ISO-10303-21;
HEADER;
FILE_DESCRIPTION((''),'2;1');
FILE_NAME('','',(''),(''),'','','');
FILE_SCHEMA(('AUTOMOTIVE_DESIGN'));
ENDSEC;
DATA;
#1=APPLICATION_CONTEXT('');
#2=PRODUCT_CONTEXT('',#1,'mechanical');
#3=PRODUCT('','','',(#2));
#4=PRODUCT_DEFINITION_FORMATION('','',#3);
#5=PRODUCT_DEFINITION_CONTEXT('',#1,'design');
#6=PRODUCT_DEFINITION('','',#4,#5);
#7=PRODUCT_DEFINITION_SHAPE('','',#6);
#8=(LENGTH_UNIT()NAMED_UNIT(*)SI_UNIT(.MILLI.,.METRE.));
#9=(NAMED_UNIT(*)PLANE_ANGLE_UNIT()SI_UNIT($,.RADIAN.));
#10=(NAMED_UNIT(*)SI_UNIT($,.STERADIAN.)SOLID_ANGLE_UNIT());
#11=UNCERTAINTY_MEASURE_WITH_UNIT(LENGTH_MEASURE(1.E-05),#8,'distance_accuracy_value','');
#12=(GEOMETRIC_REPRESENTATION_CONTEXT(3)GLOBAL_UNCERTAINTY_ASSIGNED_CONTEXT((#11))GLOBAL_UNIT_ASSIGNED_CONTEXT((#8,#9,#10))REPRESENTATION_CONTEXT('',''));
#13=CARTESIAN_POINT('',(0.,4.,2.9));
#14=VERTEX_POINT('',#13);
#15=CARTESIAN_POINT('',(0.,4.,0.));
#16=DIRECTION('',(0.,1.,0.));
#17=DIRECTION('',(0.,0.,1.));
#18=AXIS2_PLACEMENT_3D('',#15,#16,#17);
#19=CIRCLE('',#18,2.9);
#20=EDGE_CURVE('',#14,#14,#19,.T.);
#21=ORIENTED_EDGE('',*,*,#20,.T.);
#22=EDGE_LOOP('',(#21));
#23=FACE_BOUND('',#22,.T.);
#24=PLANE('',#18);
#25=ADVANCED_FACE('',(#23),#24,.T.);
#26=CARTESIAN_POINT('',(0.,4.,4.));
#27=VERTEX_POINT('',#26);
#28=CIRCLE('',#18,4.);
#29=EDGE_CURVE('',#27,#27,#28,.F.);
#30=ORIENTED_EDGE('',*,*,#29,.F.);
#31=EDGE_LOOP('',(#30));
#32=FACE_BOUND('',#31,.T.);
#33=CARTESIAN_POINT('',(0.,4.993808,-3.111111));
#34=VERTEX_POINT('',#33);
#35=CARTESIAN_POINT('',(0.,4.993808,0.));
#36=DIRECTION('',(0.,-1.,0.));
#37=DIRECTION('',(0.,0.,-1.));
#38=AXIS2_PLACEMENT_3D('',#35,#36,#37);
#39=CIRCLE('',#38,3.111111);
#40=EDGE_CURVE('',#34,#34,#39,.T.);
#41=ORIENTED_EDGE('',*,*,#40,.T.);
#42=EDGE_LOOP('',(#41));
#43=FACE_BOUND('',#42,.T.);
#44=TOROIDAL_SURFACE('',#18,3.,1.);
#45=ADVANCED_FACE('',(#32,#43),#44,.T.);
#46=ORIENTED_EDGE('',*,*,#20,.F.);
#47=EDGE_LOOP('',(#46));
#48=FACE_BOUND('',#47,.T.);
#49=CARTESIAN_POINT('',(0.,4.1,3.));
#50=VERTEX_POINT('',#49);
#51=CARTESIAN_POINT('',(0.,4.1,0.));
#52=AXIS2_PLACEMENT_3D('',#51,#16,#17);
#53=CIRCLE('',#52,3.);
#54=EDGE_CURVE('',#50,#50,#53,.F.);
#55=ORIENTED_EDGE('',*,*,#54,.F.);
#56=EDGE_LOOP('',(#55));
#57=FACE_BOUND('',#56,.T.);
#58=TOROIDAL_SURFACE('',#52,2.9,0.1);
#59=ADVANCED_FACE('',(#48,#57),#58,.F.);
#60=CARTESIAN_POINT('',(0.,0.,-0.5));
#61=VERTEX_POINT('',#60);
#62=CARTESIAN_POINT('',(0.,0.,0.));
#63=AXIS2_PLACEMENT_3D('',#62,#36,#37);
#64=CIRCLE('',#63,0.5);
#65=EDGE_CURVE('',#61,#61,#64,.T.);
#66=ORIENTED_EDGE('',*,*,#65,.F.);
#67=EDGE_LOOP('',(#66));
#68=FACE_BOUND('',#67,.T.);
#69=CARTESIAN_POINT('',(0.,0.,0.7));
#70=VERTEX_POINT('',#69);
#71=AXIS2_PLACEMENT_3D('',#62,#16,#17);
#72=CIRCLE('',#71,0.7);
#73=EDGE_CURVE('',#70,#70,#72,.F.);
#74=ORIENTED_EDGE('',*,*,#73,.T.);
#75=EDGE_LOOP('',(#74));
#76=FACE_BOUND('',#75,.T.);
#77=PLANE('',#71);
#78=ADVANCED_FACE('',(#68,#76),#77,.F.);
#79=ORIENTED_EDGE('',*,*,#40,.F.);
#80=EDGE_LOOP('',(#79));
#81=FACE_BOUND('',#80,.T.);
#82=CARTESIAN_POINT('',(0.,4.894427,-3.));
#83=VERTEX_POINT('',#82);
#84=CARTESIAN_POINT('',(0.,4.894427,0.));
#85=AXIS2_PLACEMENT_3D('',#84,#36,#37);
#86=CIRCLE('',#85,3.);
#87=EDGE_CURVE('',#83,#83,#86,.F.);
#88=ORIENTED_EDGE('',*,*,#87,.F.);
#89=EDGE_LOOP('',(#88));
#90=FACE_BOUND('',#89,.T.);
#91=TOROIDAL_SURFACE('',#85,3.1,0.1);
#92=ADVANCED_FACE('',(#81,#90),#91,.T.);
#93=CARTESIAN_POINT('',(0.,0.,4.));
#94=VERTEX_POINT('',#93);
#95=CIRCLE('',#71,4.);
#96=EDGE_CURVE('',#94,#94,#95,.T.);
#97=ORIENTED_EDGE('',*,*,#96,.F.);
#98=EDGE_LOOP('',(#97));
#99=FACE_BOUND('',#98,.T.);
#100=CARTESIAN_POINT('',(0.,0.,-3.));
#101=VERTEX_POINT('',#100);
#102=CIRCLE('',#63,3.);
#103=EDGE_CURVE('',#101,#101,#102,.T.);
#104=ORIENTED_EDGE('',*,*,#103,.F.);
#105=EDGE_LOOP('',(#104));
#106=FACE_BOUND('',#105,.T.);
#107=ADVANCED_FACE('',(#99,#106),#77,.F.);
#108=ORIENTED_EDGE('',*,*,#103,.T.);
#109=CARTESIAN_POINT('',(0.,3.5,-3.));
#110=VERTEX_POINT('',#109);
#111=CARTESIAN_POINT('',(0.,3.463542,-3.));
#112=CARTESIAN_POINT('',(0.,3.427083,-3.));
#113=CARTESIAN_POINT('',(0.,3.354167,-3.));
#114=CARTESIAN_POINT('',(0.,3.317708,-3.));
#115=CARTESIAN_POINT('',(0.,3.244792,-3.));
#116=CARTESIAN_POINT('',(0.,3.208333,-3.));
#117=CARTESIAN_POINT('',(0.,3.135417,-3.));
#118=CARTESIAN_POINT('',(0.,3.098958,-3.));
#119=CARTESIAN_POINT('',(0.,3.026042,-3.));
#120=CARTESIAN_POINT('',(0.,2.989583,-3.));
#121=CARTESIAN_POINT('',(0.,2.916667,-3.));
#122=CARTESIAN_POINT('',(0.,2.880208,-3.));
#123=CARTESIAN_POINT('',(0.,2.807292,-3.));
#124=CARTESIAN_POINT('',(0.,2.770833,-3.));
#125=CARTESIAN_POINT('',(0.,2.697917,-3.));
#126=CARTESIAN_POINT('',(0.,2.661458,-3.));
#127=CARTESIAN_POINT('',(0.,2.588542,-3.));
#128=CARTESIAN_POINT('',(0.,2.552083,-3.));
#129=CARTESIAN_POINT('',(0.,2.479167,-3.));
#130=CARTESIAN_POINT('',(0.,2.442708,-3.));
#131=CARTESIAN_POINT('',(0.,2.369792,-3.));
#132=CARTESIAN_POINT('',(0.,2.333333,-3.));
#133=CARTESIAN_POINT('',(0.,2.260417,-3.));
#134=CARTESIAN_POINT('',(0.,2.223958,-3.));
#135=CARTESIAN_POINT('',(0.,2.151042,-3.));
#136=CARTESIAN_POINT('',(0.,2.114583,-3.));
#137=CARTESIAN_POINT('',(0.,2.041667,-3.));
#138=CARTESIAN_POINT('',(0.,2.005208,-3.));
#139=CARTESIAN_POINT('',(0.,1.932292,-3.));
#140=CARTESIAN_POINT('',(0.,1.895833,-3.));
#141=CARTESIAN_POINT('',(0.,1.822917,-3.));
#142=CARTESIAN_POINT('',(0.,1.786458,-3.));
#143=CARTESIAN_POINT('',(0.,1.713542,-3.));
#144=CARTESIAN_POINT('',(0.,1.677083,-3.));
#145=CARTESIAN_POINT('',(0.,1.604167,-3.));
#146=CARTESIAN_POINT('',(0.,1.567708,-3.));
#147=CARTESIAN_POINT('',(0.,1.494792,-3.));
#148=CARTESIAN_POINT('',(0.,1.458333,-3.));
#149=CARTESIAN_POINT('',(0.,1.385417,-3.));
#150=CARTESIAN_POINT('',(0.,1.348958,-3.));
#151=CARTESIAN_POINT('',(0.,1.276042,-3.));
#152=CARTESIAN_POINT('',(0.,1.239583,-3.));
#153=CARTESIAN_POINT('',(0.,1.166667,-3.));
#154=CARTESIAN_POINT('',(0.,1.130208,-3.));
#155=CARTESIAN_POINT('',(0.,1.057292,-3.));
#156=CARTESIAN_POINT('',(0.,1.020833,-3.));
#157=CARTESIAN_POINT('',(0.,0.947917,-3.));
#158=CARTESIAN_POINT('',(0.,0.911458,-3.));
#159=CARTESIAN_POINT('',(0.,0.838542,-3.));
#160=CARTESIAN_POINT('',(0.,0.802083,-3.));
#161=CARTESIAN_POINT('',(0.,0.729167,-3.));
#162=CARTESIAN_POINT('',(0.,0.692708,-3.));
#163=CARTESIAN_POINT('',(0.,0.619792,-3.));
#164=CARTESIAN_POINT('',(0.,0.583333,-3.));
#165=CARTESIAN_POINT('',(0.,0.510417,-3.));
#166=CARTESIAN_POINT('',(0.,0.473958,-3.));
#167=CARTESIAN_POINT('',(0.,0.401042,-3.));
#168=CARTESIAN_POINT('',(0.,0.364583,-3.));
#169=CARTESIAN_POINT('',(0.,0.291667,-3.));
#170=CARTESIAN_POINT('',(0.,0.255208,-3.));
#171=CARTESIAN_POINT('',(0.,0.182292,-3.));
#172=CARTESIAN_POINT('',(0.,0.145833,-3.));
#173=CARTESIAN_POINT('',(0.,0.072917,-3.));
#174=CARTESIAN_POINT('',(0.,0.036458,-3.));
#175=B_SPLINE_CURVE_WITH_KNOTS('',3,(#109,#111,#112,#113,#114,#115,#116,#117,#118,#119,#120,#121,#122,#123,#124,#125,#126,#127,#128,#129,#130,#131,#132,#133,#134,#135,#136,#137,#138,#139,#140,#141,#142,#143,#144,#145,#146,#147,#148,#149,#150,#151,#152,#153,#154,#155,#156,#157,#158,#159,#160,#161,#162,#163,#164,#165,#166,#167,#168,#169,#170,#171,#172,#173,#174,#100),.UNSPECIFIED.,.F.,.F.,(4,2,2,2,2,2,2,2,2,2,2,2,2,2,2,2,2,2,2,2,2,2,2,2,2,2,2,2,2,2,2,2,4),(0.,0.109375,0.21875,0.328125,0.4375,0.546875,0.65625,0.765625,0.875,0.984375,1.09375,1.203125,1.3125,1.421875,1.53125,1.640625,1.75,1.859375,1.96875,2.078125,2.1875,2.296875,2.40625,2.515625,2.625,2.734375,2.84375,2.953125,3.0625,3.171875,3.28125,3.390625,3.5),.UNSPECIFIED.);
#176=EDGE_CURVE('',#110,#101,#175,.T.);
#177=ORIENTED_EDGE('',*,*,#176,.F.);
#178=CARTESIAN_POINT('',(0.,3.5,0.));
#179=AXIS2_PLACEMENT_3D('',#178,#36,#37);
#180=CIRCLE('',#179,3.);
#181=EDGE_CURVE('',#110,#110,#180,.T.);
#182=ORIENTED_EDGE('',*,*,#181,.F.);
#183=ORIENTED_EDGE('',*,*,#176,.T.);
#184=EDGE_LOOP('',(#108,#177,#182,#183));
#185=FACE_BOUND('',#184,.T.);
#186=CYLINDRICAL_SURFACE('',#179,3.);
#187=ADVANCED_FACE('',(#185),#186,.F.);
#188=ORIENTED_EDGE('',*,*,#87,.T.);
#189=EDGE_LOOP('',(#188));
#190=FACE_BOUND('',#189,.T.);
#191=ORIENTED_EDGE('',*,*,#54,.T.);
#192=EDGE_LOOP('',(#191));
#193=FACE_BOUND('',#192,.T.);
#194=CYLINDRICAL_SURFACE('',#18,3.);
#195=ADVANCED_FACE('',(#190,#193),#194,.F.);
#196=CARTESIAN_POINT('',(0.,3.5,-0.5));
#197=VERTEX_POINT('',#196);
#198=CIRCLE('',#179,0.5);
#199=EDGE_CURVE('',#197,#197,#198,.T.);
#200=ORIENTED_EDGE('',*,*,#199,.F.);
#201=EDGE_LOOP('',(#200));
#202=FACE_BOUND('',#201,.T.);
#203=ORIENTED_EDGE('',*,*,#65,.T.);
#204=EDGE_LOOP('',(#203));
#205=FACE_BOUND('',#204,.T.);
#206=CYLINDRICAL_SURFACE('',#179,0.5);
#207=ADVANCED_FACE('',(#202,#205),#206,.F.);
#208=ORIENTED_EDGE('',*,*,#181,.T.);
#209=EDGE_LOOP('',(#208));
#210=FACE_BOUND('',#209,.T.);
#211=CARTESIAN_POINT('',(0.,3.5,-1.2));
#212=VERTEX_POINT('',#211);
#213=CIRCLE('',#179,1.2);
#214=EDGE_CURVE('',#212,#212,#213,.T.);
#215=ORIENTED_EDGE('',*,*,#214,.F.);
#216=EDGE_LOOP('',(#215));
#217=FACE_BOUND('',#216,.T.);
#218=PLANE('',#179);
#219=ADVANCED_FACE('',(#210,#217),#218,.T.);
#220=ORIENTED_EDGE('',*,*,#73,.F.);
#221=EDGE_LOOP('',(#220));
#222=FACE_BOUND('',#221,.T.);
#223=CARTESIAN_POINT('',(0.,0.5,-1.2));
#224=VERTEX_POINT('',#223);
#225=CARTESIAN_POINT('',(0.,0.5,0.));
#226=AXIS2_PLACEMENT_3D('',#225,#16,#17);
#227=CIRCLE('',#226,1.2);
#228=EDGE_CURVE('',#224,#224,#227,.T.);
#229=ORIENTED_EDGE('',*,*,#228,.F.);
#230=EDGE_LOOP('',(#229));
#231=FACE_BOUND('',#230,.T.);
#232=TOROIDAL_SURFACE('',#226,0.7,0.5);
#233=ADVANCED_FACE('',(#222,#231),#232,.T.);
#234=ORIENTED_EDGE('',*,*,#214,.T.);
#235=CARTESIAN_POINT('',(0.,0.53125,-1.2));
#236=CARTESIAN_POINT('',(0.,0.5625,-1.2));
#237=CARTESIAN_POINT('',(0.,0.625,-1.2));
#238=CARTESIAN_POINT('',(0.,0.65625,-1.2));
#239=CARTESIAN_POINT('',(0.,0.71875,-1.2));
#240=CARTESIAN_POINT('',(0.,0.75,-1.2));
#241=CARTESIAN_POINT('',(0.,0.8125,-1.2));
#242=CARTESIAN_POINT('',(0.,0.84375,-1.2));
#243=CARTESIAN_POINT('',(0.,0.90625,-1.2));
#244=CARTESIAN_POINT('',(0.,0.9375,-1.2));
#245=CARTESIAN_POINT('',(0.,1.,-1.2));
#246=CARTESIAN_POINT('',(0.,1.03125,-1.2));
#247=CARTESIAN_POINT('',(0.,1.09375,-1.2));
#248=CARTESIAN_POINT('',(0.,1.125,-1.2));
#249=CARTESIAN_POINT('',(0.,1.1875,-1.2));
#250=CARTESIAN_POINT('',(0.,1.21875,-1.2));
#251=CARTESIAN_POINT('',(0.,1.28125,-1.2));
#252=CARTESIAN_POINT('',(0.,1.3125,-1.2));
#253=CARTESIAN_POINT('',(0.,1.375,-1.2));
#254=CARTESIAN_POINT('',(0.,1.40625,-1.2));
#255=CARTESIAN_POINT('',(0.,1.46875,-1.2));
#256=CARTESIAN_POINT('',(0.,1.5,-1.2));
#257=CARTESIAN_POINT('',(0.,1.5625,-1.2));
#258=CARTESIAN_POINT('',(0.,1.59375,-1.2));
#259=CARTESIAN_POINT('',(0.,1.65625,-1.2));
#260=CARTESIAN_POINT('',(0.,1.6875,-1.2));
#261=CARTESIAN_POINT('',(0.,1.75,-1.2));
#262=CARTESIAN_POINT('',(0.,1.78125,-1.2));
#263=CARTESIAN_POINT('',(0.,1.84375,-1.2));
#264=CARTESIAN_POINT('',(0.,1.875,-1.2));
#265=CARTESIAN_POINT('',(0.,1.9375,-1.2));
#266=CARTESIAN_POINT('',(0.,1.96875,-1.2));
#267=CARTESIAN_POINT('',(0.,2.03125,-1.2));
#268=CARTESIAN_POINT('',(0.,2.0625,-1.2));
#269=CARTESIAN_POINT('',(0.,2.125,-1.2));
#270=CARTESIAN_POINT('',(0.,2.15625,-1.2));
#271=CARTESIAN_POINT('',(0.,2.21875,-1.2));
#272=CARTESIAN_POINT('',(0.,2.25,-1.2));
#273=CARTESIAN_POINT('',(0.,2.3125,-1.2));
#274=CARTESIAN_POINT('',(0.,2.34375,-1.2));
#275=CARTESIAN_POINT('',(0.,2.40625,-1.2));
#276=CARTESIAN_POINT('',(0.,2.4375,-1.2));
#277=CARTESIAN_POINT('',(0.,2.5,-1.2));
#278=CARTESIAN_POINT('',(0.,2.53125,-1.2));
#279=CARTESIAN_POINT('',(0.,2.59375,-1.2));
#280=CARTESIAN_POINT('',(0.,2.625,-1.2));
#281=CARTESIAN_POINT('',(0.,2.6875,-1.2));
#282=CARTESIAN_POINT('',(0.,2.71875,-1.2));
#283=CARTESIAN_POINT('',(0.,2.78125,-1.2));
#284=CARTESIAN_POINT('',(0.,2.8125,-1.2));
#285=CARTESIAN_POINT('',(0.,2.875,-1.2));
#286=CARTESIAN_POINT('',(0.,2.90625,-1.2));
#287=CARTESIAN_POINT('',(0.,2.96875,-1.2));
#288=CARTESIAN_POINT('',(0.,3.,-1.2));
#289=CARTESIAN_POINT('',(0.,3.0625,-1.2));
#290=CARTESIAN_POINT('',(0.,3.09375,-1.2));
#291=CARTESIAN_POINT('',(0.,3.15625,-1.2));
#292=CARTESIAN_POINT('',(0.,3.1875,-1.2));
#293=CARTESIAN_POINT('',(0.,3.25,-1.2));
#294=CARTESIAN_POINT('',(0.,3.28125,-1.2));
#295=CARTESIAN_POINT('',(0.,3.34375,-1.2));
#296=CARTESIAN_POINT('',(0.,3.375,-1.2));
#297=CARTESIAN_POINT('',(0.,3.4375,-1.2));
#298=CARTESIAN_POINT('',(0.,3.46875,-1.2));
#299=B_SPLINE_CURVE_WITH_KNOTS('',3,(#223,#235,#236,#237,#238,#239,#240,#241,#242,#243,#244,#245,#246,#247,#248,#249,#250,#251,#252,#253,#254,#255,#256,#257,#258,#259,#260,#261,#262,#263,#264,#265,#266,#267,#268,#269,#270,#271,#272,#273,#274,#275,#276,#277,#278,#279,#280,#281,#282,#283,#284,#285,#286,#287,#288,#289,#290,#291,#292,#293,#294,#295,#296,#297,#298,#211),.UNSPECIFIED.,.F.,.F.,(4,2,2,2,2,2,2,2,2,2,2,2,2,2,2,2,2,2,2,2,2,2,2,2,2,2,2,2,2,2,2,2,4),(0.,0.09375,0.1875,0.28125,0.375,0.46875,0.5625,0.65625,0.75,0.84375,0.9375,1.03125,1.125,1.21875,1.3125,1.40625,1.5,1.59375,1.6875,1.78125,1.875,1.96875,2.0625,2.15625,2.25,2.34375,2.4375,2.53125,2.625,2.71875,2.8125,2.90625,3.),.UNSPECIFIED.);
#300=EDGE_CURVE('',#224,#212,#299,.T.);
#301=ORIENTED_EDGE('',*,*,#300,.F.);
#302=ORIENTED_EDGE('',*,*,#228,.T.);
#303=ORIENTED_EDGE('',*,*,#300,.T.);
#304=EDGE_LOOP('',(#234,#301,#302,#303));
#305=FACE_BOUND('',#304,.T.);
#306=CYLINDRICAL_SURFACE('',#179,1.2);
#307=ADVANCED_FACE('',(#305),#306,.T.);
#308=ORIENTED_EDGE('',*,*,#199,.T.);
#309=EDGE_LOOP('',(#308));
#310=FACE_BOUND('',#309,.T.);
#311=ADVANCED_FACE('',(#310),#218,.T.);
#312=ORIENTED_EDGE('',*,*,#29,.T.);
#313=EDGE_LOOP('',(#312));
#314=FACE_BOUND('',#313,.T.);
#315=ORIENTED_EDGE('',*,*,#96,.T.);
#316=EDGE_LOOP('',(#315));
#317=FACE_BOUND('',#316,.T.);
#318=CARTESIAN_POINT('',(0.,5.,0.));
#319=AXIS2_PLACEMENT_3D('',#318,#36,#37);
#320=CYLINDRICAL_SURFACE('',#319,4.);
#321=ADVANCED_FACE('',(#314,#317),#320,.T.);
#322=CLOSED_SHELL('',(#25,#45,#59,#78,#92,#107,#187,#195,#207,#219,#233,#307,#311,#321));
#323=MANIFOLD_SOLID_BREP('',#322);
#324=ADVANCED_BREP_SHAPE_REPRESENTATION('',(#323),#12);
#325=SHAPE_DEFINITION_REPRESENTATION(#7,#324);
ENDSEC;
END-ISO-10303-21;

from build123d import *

# Parameters (mm, degrees)
SKETCH1_R           = 4
BOSS_EXTRUDE1_DEPTH = 5
FILLET1_R           = 1
SKETCH2_R           = 3
CUT_EXTRUDE1_DEPTH  = 1
FILLET2_R           = 0.1
CUT_EXTRUDE3_START  = -3.5
SKETCH3_R           = 3
SKETCH3_R_2         = 1.2
CUT_EXTRUDE3_DEPTH  = 3.5
SKETCH4_R           = 0.5
CUT_EXTRUDE4_DEPTH  = 3.5
FILLET3_R           = 0.5


with BuildPart() as part:
    # Sketch1 → Boss-Extrude1 (new body)
    with BuildSketch(Plane(origin=(0, 0, 0), x_dir=(1, 0, 0), z_dir=(0, 1, 0))):
        with Locations(Location((0, 0, 0), (0, 0, 270))):
            Circle(SKETCH1_R)
    extrude(amount=BOSS_EXTRUDE1_DEPTH)

    # Fillet1
    fillet1_edges = [part.edges().sort_by_distance(p)[0] for p in [
        (0, 5, -4),
    ]]
    fillet(fillet1_edges, radius=FILLET1_R)

    # Sketch2 → Cut-Extrude1 (cut)
    with BuildSketch(Plane(origin=(0, 5, 0), x_dir=(1, 0, 0), z_dir=(0, 1, 0))):
        with Locations(Location((0, 0, 0), (0, 0, 270))):
            Circle(SKETCH2_R)
    extrude(amount=-CUT_EXTRUDE1_DEPTH, mode=Mode.SUBTRACT)

    # Fillet2
    fillet2_edges = [part.edges().sort_by_distance(p)[0] for p in [
        (0, 5, -3),
        (0, 4, -3),
    ]]
    fillet(fillet2_edges, radius=FILLET2_R)

    # Sketch3 → Cut-Extrude3 (cut)
    with BuildSketch(Plane.XZ.offset(CUT_EXTRUDE3_START)):
        with Locations(Location((0, 0, 0), (0, 0, 90))):
            Circle(SKETCH3_R)
        with Locations(Location((0, 0, 0), (0, 0, 270))):
            Circle(SKETCH3_R_2, mode=Mode.SUBTRACT)
    extrude(amount=CUT_EXTRUDE3_DEPTH, mode=Mode.SUBTRACT)

    # Sketch4 → Cut-Extrude4 (cut)
    with BuildSketch(Plane.XZ):
        with Locations(Location((0, 0, 0), (0, 0, 270))):
            Circle(SKETCH4_R)
    extrude(amount=-CUT_EXTRUDE4_DEPTH, mode=Mode.SUBTRACT)

    # Fillet3
    fillet3_edges = [part.edges().sort_by_distance(p)[0] for p in [
        (0, 0, 1.2),
    ]]
    fillet(fillet3_edges, radius=FILLET3_R)


solid = part.part
